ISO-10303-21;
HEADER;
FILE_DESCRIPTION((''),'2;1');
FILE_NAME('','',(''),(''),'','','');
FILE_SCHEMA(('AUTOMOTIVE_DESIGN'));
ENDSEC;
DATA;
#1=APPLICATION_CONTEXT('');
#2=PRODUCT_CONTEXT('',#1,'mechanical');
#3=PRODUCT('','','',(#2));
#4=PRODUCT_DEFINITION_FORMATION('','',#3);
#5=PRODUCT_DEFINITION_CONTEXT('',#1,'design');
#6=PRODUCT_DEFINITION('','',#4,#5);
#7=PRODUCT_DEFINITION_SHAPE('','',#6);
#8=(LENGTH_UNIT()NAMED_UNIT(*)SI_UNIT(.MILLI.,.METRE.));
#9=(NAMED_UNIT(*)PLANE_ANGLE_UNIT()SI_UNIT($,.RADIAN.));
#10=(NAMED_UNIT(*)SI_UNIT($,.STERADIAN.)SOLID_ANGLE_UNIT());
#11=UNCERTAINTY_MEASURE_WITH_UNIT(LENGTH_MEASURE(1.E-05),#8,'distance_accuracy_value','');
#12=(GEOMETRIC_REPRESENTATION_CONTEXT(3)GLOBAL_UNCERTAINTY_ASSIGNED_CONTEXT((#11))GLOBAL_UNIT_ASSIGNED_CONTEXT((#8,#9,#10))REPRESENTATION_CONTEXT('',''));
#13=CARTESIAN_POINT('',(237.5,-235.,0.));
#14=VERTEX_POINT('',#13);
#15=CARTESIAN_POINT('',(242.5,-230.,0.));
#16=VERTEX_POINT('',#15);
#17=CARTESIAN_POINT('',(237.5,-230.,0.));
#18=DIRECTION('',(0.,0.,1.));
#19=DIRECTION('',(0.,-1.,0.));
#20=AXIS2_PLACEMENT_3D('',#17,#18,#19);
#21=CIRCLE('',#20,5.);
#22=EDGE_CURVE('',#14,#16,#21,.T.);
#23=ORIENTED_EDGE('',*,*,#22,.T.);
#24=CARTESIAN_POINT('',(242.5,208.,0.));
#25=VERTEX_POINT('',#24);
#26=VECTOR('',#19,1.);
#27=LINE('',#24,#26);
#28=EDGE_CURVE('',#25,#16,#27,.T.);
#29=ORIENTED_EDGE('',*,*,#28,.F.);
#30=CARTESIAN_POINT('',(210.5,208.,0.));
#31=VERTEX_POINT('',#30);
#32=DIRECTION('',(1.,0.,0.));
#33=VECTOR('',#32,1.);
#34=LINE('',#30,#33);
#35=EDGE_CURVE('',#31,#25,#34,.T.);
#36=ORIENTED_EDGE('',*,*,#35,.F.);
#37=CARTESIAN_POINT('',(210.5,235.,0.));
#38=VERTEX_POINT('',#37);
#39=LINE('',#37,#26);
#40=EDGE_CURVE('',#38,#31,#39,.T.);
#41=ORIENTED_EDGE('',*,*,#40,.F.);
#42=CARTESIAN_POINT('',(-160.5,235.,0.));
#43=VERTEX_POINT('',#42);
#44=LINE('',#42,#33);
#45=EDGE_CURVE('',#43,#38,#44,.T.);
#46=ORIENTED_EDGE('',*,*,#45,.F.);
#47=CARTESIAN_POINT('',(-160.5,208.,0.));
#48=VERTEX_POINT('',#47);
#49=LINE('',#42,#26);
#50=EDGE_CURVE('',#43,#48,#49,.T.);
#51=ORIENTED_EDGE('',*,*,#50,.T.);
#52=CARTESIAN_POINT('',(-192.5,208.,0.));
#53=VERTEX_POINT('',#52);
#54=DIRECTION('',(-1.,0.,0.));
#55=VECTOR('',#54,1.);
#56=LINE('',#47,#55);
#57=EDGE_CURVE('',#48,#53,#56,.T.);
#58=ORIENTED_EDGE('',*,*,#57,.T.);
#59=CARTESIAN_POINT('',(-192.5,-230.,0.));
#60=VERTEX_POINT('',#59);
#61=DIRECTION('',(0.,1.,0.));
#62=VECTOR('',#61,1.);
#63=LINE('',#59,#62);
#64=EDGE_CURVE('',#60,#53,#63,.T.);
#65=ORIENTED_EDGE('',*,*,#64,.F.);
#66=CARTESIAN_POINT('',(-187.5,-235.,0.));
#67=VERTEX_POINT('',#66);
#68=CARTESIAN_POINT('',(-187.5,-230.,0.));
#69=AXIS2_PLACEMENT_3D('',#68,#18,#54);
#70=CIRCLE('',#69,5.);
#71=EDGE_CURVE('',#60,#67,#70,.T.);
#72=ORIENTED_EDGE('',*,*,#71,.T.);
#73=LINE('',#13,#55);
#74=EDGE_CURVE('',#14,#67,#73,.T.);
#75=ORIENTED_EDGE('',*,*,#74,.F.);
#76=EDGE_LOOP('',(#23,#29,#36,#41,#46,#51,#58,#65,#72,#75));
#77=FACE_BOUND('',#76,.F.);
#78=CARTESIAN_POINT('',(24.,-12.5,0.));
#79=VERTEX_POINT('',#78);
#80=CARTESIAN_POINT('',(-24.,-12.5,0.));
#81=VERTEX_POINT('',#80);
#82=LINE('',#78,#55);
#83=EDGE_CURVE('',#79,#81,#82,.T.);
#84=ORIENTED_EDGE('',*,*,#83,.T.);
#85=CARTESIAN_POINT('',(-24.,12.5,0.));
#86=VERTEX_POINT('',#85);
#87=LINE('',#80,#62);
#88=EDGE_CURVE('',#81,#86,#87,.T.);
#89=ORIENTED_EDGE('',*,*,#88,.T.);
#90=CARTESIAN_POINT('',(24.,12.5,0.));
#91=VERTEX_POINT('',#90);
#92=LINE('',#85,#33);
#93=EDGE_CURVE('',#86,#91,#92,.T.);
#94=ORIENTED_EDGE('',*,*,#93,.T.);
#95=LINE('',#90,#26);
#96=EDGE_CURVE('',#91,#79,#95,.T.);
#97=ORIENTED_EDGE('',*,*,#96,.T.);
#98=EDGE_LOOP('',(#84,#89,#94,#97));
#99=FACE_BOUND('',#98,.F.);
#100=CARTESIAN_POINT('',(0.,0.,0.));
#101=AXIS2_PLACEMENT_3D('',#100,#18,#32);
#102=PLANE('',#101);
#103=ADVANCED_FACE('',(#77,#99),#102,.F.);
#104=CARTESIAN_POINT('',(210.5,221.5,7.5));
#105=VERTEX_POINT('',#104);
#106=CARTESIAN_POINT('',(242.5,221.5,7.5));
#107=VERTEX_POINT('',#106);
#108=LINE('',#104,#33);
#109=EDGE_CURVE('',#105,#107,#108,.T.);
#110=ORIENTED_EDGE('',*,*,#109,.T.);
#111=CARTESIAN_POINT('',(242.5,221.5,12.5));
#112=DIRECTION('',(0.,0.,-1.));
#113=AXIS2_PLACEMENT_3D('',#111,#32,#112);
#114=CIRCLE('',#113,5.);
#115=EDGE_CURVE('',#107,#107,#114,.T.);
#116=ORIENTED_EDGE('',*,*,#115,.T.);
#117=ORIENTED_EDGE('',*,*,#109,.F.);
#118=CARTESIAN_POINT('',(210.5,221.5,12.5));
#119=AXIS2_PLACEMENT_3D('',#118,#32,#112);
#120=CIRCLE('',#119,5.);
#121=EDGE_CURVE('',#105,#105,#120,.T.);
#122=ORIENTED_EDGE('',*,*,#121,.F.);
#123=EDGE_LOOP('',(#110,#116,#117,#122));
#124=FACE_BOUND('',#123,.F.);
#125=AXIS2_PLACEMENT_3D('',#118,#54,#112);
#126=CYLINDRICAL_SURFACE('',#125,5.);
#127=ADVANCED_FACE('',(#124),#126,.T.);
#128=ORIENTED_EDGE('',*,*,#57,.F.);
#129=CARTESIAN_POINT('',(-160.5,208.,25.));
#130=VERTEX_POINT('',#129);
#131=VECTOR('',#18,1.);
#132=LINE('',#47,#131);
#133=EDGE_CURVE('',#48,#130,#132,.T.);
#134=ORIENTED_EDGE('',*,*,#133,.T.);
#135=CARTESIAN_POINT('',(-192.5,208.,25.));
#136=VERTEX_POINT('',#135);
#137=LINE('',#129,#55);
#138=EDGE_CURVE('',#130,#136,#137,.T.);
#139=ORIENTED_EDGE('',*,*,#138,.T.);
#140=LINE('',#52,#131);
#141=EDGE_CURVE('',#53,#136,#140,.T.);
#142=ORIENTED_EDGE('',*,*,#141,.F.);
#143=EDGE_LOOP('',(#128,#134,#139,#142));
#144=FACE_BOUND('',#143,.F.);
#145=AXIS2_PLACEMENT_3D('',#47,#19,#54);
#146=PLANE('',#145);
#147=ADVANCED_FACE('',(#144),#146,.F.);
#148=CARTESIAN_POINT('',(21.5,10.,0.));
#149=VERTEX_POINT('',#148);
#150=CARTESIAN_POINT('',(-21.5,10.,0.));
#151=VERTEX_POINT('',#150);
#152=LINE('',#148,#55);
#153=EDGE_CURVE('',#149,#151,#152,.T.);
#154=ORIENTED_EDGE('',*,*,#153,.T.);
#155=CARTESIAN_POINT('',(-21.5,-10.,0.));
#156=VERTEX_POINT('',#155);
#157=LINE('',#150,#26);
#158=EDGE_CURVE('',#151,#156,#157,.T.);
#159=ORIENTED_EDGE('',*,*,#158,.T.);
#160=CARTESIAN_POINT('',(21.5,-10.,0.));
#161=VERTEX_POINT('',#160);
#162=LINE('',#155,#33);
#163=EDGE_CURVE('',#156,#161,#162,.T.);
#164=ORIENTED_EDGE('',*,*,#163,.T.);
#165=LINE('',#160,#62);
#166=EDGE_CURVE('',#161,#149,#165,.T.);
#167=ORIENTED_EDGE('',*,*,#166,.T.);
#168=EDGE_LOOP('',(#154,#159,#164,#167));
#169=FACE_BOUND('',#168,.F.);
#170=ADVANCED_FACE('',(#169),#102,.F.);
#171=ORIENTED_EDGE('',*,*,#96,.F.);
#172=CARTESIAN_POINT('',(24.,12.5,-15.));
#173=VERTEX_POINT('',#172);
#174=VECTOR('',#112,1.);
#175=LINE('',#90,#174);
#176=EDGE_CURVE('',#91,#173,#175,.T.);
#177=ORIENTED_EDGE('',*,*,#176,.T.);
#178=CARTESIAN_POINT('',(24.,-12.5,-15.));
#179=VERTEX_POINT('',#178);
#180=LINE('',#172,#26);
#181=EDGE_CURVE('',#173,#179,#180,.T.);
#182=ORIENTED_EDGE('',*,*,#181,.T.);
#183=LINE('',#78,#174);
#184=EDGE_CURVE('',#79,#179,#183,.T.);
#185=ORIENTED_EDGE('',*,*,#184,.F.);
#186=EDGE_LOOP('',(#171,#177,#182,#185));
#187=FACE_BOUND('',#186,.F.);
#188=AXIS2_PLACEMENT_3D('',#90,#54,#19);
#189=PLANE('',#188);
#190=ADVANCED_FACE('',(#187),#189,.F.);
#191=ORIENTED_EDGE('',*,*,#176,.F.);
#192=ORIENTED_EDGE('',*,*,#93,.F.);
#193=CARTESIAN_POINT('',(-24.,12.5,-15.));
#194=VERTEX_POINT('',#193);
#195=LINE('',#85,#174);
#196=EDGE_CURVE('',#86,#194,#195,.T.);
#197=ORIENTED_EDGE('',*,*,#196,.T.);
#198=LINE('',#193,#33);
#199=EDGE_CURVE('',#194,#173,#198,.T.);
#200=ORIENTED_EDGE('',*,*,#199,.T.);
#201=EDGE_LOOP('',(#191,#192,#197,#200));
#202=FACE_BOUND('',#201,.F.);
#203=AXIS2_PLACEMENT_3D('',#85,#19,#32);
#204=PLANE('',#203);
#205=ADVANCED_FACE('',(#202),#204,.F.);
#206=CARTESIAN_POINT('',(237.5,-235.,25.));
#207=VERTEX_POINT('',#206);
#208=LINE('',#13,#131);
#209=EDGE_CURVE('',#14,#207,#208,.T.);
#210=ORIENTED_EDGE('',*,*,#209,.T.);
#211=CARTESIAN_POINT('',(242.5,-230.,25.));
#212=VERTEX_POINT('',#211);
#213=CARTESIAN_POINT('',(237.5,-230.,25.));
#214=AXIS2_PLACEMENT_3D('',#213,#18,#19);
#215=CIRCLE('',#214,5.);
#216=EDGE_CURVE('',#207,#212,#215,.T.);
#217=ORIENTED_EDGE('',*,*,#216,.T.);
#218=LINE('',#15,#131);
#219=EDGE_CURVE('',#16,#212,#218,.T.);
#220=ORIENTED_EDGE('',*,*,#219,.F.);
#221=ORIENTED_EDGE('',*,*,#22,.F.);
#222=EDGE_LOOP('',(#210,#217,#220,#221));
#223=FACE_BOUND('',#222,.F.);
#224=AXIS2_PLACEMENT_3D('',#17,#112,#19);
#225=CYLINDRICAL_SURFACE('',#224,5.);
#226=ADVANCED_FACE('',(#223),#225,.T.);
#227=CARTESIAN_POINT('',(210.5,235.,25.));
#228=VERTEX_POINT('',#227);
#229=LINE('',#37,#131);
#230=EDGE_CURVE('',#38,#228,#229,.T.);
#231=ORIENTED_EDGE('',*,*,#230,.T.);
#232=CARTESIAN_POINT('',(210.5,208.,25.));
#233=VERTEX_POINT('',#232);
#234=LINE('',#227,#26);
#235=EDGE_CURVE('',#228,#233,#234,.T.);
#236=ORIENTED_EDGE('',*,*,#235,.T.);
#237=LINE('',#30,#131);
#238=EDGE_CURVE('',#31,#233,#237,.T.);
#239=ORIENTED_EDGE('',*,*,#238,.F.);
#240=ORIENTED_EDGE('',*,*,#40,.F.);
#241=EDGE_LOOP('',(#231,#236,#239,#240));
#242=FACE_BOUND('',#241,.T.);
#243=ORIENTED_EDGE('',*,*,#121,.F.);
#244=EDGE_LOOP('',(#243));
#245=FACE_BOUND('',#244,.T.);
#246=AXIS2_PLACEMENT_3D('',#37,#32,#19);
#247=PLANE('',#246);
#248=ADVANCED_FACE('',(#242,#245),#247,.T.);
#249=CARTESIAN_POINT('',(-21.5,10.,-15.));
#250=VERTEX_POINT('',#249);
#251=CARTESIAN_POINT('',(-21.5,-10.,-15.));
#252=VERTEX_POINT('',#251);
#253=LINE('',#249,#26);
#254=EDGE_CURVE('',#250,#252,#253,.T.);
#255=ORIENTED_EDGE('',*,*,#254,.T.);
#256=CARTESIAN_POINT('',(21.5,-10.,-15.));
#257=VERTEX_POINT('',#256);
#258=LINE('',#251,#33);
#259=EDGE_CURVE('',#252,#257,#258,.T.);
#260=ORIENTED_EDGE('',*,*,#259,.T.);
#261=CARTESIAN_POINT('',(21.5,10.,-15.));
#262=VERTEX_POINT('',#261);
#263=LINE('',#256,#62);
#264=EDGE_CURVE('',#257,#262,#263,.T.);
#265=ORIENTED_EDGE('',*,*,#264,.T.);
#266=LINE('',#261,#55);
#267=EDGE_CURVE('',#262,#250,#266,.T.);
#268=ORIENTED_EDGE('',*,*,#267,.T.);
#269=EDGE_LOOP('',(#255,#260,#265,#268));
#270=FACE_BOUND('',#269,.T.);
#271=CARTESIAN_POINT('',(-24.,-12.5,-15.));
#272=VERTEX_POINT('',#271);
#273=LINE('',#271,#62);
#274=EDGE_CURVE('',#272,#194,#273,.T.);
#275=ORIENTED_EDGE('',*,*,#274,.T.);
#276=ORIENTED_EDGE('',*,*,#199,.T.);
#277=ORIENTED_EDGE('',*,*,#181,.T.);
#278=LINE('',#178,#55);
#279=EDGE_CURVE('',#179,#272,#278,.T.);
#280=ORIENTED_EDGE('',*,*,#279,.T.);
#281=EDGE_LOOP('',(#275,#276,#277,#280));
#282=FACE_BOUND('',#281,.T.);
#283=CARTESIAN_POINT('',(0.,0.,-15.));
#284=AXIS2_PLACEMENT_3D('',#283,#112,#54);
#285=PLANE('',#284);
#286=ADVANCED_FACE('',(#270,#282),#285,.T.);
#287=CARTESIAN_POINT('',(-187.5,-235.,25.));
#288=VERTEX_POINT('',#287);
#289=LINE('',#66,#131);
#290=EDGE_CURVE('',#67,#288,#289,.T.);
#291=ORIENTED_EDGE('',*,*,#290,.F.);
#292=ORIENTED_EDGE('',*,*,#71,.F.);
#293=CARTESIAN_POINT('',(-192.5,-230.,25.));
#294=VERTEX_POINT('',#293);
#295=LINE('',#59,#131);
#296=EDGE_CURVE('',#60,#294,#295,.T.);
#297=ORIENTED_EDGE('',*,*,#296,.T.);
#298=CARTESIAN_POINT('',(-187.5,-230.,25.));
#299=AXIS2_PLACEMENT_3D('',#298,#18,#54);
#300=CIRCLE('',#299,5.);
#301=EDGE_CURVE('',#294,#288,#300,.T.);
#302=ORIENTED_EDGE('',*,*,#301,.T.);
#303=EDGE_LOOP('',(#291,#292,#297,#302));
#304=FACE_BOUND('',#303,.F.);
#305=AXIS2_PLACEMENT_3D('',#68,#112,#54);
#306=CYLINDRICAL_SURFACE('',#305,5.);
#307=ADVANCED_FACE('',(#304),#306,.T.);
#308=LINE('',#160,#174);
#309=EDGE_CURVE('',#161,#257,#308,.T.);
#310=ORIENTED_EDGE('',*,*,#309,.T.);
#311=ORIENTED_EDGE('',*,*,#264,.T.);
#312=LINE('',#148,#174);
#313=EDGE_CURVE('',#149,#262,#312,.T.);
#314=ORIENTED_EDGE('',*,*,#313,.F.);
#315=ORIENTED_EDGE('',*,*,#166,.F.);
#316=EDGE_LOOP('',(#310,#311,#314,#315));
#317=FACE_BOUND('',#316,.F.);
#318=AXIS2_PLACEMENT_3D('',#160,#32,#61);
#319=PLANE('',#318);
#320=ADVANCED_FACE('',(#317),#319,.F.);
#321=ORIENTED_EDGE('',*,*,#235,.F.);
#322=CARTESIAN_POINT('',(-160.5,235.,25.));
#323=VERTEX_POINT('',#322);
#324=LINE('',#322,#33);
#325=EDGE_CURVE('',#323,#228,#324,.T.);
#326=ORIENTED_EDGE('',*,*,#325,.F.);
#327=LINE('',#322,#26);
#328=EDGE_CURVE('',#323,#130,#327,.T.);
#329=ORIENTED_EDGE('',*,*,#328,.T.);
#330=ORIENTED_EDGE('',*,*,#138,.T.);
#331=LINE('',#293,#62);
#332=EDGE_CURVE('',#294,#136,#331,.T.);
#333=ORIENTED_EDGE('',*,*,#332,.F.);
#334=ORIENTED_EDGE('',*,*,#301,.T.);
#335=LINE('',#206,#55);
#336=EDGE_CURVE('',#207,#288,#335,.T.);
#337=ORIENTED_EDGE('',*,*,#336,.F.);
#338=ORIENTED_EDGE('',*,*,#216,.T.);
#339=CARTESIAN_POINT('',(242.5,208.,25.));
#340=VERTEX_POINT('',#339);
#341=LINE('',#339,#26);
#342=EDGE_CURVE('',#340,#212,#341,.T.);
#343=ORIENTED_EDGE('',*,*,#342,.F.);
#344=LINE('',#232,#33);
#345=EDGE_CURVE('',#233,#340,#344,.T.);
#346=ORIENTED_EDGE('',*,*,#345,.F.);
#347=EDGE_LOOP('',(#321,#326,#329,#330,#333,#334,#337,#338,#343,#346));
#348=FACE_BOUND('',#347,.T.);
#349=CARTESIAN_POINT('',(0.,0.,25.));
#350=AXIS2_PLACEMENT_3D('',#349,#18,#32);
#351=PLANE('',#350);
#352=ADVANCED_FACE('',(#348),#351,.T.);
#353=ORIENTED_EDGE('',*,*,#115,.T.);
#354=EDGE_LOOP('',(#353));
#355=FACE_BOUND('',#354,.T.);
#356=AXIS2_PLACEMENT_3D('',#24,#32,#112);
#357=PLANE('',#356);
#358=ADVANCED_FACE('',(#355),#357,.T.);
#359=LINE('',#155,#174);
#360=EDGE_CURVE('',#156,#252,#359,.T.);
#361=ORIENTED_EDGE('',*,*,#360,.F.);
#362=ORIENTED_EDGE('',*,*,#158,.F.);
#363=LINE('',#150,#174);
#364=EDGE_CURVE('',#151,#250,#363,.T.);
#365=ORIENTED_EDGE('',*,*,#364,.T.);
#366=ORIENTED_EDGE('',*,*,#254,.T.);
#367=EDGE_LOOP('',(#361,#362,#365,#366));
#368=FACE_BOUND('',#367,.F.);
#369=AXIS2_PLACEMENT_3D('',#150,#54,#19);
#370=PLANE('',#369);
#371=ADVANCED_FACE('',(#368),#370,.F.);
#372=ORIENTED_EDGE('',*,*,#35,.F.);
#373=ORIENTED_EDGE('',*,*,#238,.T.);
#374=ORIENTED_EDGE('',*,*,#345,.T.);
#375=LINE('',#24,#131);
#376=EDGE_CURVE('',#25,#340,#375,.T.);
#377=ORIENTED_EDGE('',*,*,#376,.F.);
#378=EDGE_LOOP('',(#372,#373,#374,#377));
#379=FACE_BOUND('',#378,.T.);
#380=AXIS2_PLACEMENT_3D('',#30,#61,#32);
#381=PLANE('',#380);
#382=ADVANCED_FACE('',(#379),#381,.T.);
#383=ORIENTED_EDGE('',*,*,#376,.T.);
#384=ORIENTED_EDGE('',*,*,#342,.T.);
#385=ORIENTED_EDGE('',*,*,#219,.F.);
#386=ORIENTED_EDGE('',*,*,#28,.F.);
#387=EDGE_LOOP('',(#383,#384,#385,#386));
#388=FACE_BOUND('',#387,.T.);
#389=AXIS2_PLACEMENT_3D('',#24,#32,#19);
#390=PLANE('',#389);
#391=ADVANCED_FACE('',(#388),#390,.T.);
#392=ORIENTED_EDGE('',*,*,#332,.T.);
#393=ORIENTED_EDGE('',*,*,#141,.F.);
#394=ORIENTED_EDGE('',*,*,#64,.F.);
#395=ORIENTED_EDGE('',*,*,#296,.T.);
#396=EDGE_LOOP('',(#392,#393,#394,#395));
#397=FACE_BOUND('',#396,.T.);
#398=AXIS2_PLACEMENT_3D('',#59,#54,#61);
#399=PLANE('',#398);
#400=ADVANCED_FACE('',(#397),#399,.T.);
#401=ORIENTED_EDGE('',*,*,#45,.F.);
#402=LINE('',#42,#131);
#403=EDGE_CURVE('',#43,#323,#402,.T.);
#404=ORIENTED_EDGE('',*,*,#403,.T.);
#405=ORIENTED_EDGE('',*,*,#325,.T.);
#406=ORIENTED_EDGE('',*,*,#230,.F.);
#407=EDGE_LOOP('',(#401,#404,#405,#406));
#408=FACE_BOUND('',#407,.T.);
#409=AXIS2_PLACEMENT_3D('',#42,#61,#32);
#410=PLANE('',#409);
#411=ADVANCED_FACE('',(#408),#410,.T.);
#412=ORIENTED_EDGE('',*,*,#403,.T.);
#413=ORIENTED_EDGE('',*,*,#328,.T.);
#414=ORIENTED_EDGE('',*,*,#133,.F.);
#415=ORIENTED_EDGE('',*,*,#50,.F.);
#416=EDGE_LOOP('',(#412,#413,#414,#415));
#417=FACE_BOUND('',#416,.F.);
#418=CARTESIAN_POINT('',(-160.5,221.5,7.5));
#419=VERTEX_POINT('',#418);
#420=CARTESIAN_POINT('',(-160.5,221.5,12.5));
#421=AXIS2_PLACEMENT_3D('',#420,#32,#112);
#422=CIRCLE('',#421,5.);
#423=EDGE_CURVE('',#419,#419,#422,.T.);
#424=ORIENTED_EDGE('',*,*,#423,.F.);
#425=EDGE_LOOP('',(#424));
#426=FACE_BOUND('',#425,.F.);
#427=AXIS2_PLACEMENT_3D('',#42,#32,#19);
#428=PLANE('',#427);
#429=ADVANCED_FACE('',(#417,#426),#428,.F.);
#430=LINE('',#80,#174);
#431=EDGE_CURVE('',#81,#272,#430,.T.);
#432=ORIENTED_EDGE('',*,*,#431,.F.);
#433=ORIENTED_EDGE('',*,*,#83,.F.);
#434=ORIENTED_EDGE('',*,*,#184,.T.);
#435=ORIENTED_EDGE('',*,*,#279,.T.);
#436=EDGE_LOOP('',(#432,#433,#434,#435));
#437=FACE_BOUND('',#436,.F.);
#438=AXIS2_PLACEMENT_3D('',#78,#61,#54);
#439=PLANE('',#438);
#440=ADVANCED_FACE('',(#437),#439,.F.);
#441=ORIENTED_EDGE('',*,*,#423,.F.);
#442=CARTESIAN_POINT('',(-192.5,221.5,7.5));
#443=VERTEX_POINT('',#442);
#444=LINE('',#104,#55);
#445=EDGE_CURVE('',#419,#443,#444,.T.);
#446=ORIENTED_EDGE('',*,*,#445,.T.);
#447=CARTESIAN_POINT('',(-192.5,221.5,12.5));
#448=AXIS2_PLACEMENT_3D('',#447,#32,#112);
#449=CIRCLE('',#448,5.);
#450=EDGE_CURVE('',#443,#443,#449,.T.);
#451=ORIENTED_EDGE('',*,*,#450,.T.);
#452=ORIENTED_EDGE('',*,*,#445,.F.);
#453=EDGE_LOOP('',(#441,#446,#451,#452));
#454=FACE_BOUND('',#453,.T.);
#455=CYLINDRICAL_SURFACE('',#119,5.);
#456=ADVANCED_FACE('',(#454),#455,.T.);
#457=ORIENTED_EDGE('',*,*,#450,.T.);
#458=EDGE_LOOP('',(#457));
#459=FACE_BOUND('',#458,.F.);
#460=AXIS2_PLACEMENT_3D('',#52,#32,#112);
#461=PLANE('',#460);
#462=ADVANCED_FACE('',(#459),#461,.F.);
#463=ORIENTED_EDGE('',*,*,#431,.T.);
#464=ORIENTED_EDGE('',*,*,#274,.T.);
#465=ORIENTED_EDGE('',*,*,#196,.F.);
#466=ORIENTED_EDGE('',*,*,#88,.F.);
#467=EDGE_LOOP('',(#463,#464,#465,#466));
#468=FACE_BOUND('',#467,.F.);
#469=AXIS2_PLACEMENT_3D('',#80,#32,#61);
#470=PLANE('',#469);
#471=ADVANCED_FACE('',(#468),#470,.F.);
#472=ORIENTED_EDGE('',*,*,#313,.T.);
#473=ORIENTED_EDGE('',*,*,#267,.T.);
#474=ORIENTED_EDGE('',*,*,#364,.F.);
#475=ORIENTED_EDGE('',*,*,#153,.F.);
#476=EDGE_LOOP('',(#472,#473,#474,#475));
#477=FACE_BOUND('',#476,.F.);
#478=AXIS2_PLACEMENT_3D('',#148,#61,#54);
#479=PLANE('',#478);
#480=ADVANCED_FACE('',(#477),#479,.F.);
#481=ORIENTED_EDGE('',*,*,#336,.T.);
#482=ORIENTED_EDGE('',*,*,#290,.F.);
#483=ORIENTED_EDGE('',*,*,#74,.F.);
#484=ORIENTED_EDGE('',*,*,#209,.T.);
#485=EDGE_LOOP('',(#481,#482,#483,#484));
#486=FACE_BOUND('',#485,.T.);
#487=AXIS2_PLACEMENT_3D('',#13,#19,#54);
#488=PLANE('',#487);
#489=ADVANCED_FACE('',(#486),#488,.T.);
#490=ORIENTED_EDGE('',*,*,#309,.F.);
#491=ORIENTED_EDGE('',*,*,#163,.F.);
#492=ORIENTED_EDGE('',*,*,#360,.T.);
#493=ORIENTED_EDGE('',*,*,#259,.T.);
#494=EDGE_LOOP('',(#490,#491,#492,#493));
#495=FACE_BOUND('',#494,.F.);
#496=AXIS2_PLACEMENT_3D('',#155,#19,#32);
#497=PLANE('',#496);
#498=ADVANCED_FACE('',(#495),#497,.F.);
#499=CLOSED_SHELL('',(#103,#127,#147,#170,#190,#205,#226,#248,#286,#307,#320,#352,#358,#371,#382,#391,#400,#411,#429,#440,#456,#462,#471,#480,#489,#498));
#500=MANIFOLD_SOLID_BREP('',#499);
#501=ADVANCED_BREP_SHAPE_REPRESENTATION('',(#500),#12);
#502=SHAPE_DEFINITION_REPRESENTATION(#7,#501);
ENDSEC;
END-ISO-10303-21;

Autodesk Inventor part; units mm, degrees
ref_plane "YZ Plane" through (0, 0, 0) normal (1, 0, 0) x (0, 1, 0)
ref_plane "XZ Plane" through (0, 0, 0) normal (0, 1, 0) x (-1, 0, 0)
ref_plane "XY Plane" through (0, 0, 0) normal (0, 0, 1) x (1, 0, 0)
sketch "Boceto1" plane through (0, 0, 0) normal (0, 0, 1) x (1, 0, 0)
  line L0 (-160.5, 235) -> (210.5, 235)
  line L1 (242.5, 208) -> (242.5, -230)
  line L2 (237.5, -235) -> (-187.5, -235)
  line L3 (-192.5, -230) -> (-192.5, 208)
  line L4 (-160.5, 235) -> (-160.5, 208)
  line L5 (-160.5, 208) -> (-192.5, 208)
  line L6 (210.5, 235) -> (210.5, 208)
  line L7 (210.5, 208) -> (242.5, 208)
  arc A0 (-192.5, -230) -> (-187.5, -235) centre (-187.5, -230) ccw
  arc A1 (237.5, -235) -> (242.5, -230) centre (237.5, -230) ccw
  point P0 (0, 0)
  point P1 (242.5, -235)
  point P2 (-192.5, -235)
  dimension "d0" = 435
  dimension "d2" = 32
  dimension "d3" = 27
  dimension "d4" = 32
  dimension "d18" = 5
extrude "Extrusión1" add sketch "Boceto1" along normal blind 25
sketch "Boceto2" plane through (210.5, 208, 0) normal (1, 0, 0) x (0, 0, -1)
  line L0 (0, 0) -> (-25, 0) projected
  circle A0 centre (-12.5, 13.5) radius 5
  point P0 (0, -208)
  dimension "d7" = 10
extrude "Extrusión2" add sketch "Boceto2" along normal blind 32 and the other way blind 403
sketch "Boceto3" plane through (0, 0, 0) normal (0, 0, -1) x (-1, 0, 0)
  line L0 (-21.5, 10) -> (21.5, 10)
  line L1 (21.5, 10) -> (21.5, -10)
  line L2 (21.5, -10) -> (-21.5, -10)
  line L3 (-21.5, -10) -> (-21.5, 10)
  line L4 (-21.5, 10) -> (21.5, -10) construction
  line L5 (21.5, 10) -> (-21.5, -10) construction
  line L6 (24, 12.5) -> (-24, 12.5)
  line L7 (-24, 12.5) -> (-24, -12.5)
  line L8 (-24, -12.5) -> (24, -12.5)
  line L9 (24, -12.5) -> (24, 12.5)
  line L10 (24, 12.5) -> (-24, -12.5) construction
  line L11 (-24, 12.5) -> (24, -12.5) construction
  point P0 (0, 0)
  dimension "d14" = 48
  dimension "d15" = 25
extrude "Extrusión3" add sketch "Boceto3" along normal blind 15
properties part number "tapa"
